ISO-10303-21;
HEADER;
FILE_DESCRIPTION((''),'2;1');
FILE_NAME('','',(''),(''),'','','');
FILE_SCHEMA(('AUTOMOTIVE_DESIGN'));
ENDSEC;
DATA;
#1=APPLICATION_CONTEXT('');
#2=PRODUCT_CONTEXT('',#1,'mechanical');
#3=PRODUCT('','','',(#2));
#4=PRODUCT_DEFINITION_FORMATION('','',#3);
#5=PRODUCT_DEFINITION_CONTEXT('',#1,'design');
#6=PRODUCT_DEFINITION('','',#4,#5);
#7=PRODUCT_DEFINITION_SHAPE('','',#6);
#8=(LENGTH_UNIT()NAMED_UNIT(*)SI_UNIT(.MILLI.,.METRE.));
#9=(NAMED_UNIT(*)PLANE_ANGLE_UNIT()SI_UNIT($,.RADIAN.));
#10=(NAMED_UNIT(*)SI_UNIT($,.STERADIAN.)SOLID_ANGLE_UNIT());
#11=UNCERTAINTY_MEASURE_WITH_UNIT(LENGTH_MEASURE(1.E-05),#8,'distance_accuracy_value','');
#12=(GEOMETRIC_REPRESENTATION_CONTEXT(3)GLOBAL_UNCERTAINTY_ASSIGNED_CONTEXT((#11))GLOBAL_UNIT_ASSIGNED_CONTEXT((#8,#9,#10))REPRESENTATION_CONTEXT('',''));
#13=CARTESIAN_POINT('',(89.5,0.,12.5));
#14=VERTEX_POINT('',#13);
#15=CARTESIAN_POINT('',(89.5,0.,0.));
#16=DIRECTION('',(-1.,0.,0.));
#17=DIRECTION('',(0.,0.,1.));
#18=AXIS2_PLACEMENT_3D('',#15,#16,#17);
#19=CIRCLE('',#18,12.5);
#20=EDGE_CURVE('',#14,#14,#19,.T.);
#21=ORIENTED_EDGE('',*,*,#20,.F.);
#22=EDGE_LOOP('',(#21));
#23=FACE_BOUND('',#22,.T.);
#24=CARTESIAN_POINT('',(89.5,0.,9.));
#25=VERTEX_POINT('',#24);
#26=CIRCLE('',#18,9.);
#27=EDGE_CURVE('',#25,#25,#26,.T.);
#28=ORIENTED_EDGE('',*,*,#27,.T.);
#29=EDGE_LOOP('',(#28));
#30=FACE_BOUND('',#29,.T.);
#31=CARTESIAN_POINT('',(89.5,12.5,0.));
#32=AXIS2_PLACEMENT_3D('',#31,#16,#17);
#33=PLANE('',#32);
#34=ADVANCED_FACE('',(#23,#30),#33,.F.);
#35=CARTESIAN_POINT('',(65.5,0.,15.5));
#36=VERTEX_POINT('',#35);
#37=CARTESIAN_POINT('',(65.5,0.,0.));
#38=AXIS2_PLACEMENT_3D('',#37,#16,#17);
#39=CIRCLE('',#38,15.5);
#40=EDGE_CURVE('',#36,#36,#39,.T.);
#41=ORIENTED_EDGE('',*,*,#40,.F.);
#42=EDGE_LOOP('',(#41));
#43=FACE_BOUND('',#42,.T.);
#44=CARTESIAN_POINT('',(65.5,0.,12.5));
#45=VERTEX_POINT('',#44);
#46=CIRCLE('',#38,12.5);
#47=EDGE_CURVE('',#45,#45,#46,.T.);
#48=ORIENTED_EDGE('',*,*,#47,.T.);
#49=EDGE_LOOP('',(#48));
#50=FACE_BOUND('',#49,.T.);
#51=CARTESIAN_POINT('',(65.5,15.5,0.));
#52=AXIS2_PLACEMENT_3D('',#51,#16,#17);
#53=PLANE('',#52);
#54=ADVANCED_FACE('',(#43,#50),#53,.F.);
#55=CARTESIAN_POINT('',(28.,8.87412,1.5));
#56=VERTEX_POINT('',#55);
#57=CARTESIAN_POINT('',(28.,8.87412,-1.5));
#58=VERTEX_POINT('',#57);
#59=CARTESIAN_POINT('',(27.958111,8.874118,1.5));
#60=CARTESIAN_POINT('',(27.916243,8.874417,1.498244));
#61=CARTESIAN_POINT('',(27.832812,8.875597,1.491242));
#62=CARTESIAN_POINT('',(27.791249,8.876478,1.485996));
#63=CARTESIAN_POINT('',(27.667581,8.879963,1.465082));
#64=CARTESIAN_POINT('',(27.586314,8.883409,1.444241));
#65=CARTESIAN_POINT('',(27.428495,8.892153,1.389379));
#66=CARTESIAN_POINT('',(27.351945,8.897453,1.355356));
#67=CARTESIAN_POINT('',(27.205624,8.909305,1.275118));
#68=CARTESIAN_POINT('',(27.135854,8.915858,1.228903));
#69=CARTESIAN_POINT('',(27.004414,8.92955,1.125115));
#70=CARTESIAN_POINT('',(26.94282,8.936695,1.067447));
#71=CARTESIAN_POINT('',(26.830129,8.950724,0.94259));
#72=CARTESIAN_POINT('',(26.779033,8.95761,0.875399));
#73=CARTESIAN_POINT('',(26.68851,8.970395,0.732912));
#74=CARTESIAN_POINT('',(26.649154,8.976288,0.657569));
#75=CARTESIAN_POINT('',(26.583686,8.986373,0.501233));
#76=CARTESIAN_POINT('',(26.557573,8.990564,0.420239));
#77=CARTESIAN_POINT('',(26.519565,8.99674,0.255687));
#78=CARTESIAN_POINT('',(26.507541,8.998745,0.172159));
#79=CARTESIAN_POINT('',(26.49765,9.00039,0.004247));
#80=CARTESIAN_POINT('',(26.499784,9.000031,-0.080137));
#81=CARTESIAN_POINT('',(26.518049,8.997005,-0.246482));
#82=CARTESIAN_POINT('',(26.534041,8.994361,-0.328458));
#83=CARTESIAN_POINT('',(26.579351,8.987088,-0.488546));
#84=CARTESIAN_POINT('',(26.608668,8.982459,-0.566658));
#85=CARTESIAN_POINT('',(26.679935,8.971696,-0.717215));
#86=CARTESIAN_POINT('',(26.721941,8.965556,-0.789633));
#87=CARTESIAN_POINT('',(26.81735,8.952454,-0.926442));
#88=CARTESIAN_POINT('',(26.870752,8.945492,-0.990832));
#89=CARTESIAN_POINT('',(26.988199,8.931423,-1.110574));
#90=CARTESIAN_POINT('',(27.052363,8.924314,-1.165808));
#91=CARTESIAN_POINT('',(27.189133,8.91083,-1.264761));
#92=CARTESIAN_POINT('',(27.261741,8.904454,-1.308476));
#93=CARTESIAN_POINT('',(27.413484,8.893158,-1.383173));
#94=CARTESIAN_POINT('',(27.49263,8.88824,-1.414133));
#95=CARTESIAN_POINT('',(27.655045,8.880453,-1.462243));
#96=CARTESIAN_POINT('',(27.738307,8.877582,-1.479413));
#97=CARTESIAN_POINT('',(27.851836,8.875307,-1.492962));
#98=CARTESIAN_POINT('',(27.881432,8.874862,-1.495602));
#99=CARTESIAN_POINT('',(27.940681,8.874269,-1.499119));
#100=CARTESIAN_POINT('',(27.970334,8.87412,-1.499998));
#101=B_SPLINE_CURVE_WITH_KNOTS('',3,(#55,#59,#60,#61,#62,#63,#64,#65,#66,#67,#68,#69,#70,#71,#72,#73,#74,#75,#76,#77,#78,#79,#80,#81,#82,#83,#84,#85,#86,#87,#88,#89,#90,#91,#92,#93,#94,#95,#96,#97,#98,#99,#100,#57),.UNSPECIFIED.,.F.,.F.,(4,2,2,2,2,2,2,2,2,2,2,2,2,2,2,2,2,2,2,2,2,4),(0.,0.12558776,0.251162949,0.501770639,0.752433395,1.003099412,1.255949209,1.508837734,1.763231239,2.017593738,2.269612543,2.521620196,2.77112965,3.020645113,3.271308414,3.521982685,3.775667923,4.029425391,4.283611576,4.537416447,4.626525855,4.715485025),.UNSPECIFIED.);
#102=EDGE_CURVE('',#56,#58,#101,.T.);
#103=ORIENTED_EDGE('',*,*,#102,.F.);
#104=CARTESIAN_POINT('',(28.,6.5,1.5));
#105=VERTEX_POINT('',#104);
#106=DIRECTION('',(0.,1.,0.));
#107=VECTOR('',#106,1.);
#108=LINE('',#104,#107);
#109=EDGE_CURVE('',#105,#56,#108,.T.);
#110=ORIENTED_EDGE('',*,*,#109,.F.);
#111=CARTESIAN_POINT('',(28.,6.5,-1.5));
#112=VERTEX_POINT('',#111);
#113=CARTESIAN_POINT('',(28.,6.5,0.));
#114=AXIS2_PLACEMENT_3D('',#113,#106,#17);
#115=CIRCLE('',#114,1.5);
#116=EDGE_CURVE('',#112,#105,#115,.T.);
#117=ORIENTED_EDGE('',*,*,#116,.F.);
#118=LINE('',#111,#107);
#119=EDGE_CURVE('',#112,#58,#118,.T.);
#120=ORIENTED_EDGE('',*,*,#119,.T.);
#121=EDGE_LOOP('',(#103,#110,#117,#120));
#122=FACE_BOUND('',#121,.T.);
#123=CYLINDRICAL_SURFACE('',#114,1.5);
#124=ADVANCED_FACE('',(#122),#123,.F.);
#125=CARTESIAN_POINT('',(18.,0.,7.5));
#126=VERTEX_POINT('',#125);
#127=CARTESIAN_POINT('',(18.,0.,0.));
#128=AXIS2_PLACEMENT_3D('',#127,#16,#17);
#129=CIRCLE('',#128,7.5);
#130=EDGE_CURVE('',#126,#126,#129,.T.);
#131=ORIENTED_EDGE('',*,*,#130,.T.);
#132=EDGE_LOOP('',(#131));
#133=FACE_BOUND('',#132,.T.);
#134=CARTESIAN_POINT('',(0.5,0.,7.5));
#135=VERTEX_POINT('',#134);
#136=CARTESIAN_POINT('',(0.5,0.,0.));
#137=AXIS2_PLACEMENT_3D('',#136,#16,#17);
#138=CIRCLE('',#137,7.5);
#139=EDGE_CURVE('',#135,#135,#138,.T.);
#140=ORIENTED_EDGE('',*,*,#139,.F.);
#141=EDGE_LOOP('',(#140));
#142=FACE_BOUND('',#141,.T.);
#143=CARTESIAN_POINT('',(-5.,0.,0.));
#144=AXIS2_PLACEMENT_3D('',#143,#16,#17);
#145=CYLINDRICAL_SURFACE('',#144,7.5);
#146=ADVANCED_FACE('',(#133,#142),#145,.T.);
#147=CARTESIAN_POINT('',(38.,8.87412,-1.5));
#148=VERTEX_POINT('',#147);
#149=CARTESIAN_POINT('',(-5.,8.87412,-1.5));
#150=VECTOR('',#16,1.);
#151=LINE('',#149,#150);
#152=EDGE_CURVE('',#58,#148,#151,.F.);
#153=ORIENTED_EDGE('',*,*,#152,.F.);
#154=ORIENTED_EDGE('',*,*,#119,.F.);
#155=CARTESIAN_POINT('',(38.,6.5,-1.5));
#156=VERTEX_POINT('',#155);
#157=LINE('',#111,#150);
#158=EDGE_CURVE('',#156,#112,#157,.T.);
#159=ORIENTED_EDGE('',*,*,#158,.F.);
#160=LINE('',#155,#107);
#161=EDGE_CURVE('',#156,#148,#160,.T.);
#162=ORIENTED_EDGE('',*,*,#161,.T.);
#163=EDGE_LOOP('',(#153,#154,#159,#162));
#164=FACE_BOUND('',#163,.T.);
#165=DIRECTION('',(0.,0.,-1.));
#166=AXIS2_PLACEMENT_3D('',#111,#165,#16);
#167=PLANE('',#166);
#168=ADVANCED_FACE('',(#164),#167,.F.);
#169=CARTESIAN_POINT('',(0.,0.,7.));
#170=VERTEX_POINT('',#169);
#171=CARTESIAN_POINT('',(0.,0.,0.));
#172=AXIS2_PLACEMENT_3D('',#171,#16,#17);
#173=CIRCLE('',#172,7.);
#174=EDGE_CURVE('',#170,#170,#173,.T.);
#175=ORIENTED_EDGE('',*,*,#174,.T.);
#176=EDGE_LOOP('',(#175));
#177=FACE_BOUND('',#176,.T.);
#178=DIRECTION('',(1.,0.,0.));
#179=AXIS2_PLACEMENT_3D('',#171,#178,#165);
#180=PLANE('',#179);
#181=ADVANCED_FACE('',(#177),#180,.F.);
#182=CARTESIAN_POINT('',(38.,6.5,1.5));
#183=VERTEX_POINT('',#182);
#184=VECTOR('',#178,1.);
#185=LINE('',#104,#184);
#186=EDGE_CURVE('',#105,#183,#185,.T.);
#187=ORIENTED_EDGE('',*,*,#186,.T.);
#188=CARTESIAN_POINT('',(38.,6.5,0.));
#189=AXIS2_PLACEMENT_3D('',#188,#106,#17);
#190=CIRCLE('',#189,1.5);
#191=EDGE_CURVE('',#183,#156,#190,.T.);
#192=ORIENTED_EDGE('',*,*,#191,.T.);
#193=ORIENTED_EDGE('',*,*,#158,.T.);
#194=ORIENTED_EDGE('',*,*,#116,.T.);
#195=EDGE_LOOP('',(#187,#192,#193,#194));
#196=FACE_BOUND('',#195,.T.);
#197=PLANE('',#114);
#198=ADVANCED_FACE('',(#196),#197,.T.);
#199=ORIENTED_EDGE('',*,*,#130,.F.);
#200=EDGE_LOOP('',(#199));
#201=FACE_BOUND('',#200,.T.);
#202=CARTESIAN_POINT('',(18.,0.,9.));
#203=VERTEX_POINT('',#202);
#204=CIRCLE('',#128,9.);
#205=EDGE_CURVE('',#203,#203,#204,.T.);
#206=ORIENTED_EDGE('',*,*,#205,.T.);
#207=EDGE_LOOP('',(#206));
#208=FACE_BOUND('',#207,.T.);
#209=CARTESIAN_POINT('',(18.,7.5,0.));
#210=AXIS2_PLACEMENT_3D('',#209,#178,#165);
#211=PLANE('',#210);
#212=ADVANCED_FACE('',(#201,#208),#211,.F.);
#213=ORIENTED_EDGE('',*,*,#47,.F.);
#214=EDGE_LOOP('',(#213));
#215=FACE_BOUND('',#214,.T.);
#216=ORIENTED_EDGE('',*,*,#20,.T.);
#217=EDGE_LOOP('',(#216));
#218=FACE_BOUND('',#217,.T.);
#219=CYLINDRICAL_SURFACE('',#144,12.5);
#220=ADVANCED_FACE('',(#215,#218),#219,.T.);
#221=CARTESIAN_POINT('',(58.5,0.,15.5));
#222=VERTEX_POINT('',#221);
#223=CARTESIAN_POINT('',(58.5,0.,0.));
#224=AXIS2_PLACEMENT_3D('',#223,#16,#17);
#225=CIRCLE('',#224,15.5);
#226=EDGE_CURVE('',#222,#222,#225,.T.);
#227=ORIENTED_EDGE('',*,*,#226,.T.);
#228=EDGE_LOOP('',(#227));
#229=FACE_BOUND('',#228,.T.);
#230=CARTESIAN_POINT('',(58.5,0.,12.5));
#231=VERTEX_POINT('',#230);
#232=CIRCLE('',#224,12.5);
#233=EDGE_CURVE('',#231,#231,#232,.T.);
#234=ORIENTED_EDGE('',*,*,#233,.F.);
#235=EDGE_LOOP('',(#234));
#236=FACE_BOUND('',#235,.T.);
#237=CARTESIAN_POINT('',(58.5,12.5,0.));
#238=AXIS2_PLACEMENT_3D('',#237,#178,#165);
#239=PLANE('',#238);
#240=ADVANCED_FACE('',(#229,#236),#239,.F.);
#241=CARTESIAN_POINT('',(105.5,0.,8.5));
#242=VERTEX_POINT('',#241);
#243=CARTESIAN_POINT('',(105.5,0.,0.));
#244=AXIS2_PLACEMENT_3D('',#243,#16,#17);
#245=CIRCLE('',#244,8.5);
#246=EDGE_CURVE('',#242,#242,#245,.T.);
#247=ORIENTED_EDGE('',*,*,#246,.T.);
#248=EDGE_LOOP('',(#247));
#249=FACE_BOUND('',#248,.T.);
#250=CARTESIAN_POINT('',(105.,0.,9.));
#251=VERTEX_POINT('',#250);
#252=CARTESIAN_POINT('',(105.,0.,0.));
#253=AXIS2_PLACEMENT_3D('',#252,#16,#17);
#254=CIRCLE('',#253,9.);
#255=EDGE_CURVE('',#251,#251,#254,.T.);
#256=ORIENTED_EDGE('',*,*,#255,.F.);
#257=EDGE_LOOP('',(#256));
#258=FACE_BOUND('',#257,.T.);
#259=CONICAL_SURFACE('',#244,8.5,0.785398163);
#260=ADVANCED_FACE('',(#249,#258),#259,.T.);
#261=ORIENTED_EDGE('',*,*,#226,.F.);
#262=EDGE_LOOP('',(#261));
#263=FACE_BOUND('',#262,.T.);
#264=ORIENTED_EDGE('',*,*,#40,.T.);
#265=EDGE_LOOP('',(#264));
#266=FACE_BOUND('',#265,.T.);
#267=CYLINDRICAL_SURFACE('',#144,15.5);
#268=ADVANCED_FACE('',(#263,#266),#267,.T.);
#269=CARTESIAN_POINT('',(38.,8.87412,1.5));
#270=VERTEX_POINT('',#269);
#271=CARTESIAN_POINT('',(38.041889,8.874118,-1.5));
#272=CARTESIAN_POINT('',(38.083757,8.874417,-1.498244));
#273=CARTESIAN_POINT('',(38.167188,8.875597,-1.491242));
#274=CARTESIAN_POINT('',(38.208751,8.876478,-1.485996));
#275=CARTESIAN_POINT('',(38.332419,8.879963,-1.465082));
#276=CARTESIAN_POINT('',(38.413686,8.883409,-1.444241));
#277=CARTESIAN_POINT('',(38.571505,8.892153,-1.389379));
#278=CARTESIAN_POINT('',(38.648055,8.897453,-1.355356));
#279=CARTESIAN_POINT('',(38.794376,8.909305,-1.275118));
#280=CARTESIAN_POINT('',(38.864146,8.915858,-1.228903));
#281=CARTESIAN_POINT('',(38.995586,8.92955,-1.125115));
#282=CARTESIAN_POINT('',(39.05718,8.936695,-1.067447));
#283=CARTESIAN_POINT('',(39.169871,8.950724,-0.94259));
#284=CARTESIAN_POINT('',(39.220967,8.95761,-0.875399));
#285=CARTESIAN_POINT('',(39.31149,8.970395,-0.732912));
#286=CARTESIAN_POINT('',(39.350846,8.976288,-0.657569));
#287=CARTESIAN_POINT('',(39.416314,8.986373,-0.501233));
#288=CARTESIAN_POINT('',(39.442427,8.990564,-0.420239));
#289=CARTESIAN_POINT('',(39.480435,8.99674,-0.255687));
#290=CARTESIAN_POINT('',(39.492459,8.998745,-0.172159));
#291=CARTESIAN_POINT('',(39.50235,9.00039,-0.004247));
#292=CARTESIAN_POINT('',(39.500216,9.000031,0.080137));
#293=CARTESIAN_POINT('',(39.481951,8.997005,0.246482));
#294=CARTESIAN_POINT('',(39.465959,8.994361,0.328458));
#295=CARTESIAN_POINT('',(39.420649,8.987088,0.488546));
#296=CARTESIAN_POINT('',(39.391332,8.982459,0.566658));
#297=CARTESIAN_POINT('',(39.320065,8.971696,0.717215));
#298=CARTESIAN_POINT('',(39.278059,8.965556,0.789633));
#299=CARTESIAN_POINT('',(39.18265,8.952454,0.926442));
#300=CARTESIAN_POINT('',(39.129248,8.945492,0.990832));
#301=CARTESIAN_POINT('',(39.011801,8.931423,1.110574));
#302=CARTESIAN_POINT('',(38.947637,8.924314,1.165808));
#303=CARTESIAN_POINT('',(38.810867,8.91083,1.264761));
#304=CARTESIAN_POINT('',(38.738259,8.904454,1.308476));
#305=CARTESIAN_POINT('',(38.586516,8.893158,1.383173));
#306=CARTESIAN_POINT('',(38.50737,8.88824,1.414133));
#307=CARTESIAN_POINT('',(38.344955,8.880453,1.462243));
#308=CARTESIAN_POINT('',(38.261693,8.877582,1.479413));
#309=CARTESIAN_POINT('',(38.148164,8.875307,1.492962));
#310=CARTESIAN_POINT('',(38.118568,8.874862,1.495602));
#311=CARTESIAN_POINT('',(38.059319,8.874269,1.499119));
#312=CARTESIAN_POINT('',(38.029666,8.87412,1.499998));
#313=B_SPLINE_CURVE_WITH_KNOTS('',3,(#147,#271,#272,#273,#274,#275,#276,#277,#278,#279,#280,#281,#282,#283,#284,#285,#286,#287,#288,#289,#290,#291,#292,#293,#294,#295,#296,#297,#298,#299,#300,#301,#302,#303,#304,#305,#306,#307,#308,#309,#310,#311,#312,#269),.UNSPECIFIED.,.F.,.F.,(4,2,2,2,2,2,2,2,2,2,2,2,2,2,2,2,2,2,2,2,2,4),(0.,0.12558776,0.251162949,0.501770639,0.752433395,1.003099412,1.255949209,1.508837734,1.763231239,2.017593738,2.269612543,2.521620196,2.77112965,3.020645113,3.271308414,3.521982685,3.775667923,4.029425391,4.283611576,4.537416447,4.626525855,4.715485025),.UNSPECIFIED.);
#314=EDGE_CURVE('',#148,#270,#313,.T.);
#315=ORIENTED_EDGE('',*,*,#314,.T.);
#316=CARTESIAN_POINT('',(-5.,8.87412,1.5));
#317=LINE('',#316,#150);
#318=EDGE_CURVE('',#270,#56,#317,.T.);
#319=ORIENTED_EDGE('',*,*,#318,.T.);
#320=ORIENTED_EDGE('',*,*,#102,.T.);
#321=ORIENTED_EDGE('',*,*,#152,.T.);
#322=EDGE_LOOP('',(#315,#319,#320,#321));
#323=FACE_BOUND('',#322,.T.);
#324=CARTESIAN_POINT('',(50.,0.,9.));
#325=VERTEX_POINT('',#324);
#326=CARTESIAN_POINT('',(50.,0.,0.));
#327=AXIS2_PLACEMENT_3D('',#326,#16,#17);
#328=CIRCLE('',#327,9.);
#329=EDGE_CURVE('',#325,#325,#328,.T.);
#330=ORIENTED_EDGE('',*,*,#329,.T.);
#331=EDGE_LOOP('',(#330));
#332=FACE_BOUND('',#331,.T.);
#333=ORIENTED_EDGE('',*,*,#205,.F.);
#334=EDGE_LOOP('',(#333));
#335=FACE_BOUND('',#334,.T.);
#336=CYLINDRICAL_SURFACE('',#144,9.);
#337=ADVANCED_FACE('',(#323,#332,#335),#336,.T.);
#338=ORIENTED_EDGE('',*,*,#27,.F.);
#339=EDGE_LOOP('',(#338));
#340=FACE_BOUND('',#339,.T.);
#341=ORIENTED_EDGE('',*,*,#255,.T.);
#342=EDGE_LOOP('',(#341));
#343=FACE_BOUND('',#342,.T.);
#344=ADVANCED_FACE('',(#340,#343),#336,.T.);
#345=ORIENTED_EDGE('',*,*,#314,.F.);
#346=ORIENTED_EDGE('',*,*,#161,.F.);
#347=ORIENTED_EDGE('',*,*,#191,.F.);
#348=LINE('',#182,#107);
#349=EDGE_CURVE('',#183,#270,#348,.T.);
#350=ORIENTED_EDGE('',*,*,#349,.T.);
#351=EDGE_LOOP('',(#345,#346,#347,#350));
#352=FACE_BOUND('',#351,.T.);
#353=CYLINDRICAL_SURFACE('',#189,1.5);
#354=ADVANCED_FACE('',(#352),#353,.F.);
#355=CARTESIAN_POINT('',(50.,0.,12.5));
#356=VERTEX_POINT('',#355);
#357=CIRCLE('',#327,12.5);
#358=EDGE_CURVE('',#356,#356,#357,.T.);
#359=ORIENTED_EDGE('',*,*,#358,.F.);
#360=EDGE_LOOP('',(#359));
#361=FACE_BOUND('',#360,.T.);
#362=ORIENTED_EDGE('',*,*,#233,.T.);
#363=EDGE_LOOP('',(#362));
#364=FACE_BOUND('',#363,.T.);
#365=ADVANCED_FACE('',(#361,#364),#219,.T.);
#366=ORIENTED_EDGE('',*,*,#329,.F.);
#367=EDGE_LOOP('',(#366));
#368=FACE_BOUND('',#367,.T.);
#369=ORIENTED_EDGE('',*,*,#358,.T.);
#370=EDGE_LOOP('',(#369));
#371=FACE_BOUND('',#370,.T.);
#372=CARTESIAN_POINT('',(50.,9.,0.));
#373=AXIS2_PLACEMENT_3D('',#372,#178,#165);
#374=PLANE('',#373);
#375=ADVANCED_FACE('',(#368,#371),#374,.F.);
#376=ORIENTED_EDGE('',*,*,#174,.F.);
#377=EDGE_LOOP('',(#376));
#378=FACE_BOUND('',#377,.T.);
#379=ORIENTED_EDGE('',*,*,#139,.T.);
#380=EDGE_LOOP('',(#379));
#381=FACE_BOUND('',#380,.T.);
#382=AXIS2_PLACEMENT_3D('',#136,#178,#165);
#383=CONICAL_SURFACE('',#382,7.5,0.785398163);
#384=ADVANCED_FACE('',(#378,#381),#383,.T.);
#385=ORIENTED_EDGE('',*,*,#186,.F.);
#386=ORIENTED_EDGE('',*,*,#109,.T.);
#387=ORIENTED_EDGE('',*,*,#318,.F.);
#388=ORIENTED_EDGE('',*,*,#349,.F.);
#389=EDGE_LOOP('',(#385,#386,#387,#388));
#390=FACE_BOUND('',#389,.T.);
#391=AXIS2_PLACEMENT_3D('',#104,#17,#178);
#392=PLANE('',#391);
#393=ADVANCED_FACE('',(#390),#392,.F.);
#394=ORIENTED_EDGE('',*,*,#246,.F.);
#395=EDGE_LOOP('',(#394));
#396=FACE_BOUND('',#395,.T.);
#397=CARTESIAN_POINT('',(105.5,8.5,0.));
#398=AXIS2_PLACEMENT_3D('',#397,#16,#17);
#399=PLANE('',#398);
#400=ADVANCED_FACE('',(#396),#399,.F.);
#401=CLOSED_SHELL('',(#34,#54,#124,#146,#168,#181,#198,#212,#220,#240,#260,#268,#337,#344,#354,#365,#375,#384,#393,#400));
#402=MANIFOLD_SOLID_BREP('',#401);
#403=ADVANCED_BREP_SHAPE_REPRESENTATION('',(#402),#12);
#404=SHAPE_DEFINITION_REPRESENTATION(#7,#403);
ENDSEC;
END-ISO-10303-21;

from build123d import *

# Parameters (mm, degrees)
F_02_KEYWAY_DEPTH = 2.5


with BuildPart() as part:
    # 草图1 → 旋转1 (revolve)
    with BuildSketch(Plane.XY, mode=Mode.PRIVATE) as revolve_1_sk:
        Polygon((0, 0), (0, 7), (0.5, 7.5), (18, 7.5), (18, 9), (50, 9), (50, 12.5), (58.5, 12.5), (58.5, 15.5), (65.5, 15.5), (65.5, 12.5), (89.5, 12.5), (89.5, 9), (105, 9), (105.5, 8.5), (105.5, 0), align=None)
    revolve(revolve_1_sk.sketch.rotate(Axis((-5, 0, 0), (1, 0, 0)), 90), axis=Axis((-5, 0, 0), (1, 0, 0)))

    # 草图2 → 02_KEYWAY (cut)
    with BuildSketch(Plane(origin=(0, 9, 0), x_dir=(1, 0, 0), z_dir=(0, 1, 0))):
        with BuildLine():
            Line((28, 1.5), (38, 1.5))
            ThreePointArc((38, 1.5), (39.5, 0), (38, -1.5))
            Line((38, -1.5), (28, -1.5))
            ThreePointArc((28, -1.5), (26.5, 0), (28, 1.5))
        make_face()
    extrude(amount=-F_02_KEYWAY_DEPTH, mode=Mode.SUBTRACT)


solid = part.part
